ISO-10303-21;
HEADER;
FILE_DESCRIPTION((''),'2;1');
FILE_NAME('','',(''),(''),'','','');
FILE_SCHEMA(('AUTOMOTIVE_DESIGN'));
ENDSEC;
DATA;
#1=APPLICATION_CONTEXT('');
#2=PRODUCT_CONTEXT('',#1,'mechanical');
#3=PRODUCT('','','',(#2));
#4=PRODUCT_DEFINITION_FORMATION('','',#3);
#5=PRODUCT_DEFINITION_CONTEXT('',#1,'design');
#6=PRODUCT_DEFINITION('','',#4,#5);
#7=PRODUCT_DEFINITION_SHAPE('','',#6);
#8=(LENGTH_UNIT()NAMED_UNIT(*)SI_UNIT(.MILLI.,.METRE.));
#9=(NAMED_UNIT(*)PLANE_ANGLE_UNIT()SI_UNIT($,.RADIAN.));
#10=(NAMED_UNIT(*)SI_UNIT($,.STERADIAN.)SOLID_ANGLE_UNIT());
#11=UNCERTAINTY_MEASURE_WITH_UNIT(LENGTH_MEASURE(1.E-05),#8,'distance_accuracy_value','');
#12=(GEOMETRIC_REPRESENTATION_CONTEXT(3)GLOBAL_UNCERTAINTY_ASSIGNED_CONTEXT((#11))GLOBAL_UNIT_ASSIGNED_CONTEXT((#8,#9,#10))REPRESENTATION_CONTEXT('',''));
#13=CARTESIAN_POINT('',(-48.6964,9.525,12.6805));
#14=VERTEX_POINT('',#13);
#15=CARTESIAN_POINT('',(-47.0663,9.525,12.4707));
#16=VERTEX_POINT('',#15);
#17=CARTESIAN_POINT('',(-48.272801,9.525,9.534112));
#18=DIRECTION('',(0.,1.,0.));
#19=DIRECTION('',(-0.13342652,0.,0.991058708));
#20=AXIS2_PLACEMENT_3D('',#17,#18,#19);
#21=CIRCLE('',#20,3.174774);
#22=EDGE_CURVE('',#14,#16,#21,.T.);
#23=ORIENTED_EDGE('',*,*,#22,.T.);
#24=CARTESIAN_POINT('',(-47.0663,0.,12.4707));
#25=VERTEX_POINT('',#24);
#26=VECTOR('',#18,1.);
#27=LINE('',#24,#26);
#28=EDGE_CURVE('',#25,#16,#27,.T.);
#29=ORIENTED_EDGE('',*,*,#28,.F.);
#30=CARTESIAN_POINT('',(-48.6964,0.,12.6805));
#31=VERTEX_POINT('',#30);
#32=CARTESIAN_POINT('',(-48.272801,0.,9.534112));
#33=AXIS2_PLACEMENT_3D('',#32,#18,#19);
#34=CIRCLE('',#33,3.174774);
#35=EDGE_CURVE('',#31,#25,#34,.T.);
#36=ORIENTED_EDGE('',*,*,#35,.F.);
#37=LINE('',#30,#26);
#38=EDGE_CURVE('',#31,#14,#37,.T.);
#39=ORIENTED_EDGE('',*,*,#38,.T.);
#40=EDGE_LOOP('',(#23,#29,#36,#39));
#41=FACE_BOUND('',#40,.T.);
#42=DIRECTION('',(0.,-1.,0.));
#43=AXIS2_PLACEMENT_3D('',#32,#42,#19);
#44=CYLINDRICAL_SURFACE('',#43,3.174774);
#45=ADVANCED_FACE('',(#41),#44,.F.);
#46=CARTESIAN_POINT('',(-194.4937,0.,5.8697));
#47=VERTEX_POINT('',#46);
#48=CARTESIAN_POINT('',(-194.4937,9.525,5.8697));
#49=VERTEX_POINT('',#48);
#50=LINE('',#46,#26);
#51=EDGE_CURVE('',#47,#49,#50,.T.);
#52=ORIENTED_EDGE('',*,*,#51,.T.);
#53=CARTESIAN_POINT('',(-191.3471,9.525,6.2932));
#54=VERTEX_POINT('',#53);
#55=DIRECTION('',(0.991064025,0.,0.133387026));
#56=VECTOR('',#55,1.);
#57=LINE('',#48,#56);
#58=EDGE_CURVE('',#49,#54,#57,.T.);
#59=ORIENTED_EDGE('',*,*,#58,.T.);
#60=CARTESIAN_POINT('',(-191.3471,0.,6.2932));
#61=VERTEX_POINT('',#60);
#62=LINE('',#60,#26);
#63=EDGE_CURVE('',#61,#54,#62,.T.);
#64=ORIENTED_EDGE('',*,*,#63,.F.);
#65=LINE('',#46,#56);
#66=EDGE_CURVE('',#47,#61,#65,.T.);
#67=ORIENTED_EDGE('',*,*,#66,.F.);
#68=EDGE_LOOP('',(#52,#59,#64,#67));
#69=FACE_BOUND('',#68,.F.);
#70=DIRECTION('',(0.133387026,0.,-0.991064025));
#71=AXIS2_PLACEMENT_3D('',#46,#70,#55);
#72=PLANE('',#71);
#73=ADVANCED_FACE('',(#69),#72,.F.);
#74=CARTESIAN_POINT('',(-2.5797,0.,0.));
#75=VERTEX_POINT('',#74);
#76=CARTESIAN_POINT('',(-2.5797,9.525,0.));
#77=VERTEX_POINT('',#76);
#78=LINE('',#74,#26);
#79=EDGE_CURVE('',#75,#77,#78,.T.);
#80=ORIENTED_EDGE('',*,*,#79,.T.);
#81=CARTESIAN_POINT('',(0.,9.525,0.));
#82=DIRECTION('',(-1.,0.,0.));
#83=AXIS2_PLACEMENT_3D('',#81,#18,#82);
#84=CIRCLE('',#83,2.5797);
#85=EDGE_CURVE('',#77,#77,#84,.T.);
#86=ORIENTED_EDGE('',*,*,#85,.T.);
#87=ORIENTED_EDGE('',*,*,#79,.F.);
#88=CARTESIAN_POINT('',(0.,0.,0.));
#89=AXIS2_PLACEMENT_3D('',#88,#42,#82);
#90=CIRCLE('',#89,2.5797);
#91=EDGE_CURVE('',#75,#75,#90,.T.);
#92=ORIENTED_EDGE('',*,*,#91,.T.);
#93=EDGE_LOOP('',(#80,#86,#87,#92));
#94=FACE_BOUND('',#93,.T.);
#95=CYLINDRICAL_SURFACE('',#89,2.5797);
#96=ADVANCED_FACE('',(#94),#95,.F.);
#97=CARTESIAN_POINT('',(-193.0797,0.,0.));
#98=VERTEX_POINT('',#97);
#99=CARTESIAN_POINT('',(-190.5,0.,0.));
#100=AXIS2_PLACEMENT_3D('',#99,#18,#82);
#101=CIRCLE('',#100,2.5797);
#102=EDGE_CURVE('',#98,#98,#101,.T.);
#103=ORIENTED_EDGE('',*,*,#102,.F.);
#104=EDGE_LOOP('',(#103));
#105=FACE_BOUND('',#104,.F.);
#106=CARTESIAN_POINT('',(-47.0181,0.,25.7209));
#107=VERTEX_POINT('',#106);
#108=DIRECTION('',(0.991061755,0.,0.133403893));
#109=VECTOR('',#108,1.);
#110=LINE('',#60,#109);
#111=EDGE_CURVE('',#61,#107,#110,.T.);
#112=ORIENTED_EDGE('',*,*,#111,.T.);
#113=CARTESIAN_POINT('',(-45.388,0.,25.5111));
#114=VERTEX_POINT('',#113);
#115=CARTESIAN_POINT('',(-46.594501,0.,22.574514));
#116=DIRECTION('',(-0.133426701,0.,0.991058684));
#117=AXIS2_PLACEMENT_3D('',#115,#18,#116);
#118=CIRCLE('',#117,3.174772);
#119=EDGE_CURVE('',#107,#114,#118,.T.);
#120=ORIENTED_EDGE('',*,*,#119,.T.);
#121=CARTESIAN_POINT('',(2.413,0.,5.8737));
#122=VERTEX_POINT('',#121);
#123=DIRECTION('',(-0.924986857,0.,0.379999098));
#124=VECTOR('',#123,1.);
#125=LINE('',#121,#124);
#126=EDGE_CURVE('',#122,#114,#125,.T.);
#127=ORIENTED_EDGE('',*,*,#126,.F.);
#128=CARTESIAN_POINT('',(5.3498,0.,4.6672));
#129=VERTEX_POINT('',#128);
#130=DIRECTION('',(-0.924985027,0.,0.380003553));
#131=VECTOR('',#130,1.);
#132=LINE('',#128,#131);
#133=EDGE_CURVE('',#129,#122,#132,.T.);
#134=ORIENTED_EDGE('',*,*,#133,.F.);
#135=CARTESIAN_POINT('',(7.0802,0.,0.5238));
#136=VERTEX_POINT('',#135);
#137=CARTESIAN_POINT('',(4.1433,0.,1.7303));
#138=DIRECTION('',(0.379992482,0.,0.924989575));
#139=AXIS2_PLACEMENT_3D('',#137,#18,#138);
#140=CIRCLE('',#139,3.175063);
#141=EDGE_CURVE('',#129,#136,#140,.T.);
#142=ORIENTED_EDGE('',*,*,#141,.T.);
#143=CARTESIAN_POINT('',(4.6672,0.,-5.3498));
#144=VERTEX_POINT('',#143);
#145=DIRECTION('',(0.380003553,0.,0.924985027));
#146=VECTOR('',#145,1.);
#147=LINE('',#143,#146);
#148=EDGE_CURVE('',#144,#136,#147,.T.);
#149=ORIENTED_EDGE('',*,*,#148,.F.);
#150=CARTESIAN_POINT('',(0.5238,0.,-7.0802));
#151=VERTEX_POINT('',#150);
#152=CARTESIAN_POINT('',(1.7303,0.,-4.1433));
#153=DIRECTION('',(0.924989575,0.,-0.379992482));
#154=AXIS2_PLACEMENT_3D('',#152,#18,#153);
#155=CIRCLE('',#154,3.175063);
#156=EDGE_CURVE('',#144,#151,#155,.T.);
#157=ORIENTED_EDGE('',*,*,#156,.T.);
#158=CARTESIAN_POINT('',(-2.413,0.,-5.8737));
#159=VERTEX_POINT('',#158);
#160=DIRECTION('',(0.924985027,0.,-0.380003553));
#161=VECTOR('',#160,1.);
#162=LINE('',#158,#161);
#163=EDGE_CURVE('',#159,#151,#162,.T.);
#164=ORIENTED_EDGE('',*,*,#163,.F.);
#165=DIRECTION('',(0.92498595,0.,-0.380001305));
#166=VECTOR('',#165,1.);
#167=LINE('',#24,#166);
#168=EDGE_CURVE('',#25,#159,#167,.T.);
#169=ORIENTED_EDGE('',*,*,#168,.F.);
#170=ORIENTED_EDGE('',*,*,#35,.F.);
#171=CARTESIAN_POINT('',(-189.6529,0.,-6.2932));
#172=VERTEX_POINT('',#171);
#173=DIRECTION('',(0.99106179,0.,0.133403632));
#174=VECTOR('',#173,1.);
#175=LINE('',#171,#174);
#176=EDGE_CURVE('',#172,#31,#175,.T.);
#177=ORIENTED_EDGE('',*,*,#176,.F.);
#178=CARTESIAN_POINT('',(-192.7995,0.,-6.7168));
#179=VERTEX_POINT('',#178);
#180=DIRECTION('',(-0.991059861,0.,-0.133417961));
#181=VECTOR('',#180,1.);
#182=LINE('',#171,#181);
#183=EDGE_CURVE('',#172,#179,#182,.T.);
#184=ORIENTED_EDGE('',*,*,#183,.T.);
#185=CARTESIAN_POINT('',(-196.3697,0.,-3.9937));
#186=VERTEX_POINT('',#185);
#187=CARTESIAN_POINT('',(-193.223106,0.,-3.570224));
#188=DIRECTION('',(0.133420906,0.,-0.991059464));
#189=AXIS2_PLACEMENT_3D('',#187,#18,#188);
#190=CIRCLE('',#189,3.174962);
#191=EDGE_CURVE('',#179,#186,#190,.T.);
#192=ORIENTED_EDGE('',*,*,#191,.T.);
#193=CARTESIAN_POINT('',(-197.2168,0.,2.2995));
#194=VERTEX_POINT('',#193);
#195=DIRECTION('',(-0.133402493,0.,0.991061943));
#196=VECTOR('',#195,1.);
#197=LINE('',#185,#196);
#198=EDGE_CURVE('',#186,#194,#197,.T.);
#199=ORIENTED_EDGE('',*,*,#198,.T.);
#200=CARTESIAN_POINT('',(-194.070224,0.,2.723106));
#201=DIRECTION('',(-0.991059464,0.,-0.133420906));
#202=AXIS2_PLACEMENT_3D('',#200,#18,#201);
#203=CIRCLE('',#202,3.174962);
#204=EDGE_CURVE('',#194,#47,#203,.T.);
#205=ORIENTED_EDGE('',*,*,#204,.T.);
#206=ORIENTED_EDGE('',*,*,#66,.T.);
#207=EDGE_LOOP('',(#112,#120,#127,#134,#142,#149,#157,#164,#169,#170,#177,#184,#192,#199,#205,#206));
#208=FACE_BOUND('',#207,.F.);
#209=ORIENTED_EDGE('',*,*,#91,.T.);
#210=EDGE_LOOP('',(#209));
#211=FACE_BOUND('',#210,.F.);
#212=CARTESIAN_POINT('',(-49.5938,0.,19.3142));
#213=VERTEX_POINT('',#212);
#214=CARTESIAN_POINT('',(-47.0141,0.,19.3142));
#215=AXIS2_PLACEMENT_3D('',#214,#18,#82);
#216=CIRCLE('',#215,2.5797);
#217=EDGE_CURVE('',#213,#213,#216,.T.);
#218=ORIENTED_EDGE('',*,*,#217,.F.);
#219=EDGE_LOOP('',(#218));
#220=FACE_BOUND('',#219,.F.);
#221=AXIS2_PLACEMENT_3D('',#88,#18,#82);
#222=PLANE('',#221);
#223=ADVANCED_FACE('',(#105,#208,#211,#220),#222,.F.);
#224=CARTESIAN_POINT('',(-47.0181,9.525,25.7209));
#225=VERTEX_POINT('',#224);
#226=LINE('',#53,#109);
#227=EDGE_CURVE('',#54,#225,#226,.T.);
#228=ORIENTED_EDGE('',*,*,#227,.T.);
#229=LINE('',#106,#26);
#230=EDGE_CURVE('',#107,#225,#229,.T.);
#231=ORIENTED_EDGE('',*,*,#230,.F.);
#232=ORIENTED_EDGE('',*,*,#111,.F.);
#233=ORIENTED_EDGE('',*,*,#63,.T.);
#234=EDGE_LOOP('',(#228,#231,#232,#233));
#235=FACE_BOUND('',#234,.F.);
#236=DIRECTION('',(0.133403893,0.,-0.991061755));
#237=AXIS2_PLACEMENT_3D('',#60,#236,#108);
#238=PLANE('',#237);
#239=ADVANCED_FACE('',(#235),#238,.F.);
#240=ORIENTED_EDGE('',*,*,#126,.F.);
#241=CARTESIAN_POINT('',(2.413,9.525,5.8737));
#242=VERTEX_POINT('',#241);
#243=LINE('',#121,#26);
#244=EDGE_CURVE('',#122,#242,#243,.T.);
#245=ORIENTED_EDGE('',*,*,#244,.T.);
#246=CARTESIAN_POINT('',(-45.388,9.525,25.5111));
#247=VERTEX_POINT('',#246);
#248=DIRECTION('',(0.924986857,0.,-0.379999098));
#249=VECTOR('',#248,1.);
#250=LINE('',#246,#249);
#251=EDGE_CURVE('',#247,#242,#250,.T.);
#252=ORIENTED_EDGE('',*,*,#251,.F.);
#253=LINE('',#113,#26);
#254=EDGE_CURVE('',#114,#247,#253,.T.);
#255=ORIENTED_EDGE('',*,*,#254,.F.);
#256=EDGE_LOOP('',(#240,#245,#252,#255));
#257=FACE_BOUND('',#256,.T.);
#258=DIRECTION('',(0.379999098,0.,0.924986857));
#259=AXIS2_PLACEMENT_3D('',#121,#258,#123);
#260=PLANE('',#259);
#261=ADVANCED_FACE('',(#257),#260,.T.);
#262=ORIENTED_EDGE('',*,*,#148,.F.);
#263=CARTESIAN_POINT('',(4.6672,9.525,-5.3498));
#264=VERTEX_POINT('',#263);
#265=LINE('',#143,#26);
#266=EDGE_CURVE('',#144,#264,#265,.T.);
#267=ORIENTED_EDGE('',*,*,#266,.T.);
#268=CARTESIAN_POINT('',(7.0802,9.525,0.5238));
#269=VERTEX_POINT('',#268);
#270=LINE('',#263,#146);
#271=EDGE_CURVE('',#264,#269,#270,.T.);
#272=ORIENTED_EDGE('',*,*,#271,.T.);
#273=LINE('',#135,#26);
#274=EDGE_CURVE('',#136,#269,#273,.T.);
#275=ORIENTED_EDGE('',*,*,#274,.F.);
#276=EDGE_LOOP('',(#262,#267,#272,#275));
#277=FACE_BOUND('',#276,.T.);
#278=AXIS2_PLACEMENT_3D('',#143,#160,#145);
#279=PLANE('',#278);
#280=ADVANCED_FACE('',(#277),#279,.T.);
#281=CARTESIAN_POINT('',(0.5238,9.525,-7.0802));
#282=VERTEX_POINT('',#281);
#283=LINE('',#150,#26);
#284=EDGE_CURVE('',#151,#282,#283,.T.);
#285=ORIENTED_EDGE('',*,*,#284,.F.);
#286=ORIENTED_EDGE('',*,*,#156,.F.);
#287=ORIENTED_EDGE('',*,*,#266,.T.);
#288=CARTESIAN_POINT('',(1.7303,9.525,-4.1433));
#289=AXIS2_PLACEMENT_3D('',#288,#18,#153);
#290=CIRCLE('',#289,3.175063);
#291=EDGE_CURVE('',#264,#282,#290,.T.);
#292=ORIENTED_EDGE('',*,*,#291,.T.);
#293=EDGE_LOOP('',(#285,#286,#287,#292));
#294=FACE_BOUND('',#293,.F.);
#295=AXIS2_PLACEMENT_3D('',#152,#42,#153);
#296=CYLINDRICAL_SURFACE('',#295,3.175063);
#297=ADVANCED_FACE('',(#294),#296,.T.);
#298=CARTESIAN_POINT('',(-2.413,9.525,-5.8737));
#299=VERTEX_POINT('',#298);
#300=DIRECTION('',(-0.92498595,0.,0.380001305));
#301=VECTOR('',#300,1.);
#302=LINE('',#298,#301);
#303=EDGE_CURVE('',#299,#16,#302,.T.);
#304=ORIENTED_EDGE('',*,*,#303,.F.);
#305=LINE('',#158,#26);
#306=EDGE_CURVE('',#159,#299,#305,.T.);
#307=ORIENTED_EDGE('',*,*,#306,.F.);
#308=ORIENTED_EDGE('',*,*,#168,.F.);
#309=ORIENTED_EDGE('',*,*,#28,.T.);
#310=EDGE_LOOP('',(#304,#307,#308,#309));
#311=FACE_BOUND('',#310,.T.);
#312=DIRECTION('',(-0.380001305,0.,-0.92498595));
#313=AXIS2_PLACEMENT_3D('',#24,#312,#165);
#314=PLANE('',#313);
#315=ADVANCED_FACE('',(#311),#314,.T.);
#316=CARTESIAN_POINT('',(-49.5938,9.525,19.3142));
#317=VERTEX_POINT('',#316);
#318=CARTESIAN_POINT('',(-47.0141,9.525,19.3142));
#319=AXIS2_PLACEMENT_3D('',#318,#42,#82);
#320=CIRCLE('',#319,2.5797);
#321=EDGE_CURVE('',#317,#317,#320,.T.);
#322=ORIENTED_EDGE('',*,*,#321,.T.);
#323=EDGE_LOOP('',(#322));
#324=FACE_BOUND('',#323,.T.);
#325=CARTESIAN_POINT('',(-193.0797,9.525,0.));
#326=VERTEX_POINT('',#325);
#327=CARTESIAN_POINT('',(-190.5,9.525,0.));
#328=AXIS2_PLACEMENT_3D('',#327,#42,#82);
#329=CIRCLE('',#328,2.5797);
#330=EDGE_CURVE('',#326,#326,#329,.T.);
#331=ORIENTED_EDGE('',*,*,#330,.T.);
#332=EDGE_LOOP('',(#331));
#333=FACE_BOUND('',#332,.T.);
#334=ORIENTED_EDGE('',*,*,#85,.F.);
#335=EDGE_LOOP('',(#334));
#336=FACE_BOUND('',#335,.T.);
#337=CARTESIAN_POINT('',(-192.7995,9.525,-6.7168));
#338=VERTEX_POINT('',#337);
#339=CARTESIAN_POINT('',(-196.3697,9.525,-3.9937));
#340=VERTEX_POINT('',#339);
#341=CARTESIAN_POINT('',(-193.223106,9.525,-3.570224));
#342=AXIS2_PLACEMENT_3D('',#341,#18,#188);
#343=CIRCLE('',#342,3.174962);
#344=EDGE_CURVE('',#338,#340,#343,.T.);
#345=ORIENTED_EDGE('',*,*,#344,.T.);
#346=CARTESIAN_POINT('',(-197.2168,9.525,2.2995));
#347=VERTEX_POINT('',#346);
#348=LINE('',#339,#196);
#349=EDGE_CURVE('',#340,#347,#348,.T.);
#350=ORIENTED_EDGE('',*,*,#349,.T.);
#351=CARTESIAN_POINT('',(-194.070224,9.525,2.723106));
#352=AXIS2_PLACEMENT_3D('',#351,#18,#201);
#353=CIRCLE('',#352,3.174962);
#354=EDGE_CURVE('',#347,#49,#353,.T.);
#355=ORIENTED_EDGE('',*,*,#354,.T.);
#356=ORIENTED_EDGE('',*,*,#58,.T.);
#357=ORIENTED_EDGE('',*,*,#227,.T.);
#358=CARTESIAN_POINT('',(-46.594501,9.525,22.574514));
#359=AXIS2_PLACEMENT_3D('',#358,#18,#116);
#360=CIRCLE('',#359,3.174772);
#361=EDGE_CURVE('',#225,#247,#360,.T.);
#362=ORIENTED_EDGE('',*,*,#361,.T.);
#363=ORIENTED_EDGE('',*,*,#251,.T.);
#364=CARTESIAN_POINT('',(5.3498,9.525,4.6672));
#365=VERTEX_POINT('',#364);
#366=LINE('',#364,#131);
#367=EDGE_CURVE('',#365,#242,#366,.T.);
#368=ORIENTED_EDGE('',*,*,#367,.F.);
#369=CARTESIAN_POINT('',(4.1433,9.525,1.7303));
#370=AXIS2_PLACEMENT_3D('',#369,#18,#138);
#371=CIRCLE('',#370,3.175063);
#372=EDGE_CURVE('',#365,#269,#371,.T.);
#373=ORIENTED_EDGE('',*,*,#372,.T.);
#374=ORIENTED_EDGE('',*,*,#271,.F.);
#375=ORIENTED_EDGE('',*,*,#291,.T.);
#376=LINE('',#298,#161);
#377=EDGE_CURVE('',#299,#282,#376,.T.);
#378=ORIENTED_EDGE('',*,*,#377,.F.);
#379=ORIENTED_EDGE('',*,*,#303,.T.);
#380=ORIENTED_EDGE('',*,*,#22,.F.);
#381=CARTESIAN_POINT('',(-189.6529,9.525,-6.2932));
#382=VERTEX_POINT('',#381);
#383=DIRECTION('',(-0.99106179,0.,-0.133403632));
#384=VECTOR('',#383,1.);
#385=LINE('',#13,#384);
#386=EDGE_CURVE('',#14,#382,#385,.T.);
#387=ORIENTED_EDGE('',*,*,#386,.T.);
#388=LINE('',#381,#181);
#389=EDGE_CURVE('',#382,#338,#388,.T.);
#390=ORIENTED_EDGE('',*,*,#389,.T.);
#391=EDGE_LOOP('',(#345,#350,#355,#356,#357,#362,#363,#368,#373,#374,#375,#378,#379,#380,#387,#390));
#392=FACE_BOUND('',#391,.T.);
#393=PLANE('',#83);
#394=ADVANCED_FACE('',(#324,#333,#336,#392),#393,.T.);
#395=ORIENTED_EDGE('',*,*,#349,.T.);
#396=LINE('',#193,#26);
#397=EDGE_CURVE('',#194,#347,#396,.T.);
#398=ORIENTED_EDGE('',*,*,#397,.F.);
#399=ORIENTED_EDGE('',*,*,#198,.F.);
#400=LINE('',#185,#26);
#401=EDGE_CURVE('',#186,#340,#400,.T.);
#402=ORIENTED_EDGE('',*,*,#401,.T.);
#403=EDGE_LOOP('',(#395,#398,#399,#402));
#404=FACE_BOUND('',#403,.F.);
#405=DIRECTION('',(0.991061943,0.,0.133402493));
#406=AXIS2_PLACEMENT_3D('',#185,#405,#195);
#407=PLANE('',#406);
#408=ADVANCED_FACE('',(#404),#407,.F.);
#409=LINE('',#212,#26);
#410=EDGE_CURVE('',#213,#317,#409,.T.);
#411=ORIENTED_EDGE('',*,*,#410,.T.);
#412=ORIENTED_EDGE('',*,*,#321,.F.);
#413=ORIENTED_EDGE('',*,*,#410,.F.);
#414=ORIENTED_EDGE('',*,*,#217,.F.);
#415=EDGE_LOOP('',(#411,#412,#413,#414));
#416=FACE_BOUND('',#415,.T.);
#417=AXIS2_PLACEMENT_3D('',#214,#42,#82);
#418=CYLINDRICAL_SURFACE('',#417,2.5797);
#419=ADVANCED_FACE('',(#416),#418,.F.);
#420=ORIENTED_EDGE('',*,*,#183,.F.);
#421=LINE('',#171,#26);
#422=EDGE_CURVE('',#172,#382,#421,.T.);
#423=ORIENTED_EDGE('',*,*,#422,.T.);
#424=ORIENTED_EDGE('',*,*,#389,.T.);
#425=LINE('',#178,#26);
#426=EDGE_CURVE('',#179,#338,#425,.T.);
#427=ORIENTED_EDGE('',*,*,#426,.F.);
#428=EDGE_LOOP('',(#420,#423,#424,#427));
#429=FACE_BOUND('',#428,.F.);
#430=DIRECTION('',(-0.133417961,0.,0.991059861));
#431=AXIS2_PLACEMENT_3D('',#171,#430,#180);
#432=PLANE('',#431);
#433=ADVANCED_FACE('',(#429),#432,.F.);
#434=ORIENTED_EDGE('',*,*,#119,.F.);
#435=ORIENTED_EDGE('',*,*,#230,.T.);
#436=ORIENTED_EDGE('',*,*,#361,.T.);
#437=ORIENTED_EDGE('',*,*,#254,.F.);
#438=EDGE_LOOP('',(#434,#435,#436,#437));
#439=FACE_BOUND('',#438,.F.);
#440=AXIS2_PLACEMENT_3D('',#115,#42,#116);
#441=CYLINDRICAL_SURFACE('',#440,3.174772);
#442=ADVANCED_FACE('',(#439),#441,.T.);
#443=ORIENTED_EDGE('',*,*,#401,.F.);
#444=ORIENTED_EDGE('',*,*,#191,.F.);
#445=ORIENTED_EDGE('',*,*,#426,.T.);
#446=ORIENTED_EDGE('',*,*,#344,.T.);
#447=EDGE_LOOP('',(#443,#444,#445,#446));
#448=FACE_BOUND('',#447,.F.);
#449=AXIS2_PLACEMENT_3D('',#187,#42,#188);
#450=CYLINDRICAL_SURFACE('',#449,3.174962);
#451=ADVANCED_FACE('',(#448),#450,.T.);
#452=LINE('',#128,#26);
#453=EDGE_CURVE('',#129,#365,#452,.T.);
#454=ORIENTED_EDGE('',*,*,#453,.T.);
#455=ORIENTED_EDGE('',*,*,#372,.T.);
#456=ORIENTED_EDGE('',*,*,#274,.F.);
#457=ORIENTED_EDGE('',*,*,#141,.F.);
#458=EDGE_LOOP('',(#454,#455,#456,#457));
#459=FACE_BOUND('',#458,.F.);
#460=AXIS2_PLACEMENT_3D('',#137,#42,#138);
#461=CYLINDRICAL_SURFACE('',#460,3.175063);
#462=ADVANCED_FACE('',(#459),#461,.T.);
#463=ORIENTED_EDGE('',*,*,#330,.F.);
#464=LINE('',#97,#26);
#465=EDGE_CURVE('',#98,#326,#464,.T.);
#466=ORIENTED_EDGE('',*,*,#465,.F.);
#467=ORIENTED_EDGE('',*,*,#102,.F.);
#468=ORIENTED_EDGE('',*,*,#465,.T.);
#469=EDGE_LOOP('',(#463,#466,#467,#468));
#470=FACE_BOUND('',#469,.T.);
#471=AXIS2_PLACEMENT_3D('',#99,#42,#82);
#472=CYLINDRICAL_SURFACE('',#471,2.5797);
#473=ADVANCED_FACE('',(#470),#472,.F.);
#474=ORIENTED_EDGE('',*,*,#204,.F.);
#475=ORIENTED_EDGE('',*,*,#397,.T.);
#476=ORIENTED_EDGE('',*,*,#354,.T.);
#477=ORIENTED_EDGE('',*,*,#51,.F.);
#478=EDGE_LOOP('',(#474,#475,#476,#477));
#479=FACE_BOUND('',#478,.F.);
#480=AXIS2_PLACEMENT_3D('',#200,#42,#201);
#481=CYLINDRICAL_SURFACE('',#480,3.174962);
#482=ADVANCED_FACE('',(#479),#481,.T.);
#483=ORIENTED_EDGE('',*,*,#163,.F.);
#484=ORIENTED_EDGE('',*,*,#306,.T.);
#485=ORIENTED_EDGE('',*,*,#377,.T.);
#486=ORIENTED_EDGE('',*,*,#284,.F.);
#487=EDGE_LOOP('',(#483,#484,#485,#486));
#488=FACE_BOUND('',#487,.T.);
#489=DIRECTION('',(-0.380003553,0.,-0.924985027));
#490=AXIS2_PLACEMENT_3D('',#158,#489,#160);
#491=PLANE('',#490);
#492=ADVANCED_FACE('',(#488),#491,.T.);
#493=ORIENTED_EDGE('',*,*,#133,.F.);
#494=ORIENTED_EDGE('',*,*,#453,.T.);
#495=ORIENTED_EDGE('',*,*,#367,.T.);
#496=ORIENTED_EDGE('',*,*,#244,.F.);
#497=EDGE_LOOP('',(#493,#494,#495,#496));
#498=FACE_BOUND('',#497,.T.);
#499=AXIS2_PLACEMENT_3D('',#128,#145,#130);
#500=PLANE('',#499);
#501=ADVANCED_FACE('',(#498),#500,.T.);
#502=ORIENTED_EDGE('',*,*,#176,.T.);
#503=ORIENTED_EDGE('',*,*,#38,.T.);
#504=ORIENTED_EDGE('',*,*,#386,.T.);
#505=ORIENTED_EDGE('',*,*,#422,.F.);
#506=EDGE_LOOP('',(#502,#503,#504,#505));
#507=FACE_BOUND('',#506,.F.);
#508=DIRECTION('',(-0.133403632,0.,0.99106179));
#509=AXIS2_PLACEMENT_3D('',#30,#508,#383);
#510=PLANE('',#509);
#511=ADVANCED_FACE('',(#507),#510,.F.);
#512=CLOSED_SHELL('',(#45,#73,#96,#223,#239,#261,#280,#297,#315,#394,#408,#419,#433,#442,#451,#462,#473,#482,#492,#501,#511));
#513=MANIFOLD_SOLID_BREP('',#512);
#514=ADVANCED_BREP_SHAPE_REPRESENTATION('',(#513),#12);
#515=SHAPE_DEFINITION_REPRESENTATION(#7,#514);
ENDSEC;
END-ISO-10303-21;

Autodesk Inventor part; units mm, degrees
ref_plane "YZ Plane" through (0, 0, 0) normal (1, 0, 0) x (0, 1, 0)
ref_plane "XZ Plane" through (0, 0, 0) normal (0, 1, 0) x (-1, 0, 0)
ref_plane "XY Plane" through (0, 0, 0) normal (0, 0, 1) x (1, 0, 0)
sketch "Sketch1" plane through (0, 0, 0) normal (0, 1, 0) x (-1, 0, 0)
  line L0 (0, 0) -> (190.5, 0)
  line L1 (190.5, 0) -> (47.0141, 19.3142)
  line L2 (47.0141, 19.3142) -> (0, 0)
  line L3 (2.413, -5.8737) -> (-2.413, 5.8737)
  line L4 (-2.413, 5.8737) -> (45.388, 25.5111)
  line L5 (47.0663, 12.4707) -> (2.413, -5.8737)
  line L6 (41.2492, 26.4974) -> (39.555, 13.9109)
  line L7 (48.6964, 12.6805) -> (189.6529, -6.2932)
  line L8 (189.6529, -6.2932) -> (191.3471, 6.2932)
  line L9 (191.3471, 6.2932) -> (47.0181, 25.7209)
  arc A0 (47.0181, 25.7209) -> (45.388, 25.5111) centre (46.5945, 22.5743) ccw
  arc A1 (48.6964, 12.6805) -> (47.0663, 12.4707) centre (48.2728, 9.5338) ccw
  circle A2 centre (47.0141, 19.3142) radius 2.5797
  circle A3 centre (190.5, 0) radius 2.5797
  circle A4 centre (0, 0) radius 2.5797
  line L10 (191.3471, 6.2932) -> (189.6529, -6.2932)
  line L11 (189.6529, -6.2932) -> (192.7995, -6.7168)
  line L12 (196.3697, -3.9937) -> (197.2168, 2.2995)
  line L13 (194.4937, 5.8697) -> (191.3471, 6.2932)
  arc A5 (197.2168, 2.2995) -> (194.4937, 5.8697) centre (194.0702, 2.7231) ccw
  arc A6 (192.7995, -6.7168) -> (196.3697, -3.9937) centre (193.2231, -3.5702) ccw
  line L14 (-2.413, 5.8737) -> (2.413, -5.8737)
  line L15 (2.413, -5.8737) -> (-0.5238, -7.0802)
  line L16 (-4.6672, -5.3498) -> (-7.0802, 0.5238)
  line L17 (-5.3498, 4.6672) -> (-2.413, 5.8737)
  arc A7 (-5.3498, 4.6672) -> (-7.0802, 0.5238) centre (-4.1433, 1.7303) ccw
  arc A8 (-4.6672, -5.3498) -> (-0.5238, -7.0802) centre (-1.7303, -4.1433) ccw
  point P0 (195.9461, -7.1404)
  point P1 (-3.4607, -8.2867)
  dimension "d0" = 190.5
  dimension "d1" = 150
  dimension "d2" = 12.7
  dimension "d3" = 3.175
  dimension "d4" = 5.1594
  dimension "d6" = 6.35
  dimension "d7" = 3.175
  dimension "d8" = 6.35
  dimension "d9" = 3.175
  dimension "d12" = 144.78
extrude "Extrusion1" add sketch "Sketch1" along normal blind 9.525 contours A4 L2 A2 L1 A3 L0 L7 A1 L5 | L0 L5 L3 A4 | A4 L3 L4 L6 L2 | L3 L15 A8 L16 A7 L17 A4 | L6 L4 A0 L9 L8 A3 L1 A2 L2 | L0 A3 L8 L7 | L8 A3 L13 A5 L12 A6 L11
